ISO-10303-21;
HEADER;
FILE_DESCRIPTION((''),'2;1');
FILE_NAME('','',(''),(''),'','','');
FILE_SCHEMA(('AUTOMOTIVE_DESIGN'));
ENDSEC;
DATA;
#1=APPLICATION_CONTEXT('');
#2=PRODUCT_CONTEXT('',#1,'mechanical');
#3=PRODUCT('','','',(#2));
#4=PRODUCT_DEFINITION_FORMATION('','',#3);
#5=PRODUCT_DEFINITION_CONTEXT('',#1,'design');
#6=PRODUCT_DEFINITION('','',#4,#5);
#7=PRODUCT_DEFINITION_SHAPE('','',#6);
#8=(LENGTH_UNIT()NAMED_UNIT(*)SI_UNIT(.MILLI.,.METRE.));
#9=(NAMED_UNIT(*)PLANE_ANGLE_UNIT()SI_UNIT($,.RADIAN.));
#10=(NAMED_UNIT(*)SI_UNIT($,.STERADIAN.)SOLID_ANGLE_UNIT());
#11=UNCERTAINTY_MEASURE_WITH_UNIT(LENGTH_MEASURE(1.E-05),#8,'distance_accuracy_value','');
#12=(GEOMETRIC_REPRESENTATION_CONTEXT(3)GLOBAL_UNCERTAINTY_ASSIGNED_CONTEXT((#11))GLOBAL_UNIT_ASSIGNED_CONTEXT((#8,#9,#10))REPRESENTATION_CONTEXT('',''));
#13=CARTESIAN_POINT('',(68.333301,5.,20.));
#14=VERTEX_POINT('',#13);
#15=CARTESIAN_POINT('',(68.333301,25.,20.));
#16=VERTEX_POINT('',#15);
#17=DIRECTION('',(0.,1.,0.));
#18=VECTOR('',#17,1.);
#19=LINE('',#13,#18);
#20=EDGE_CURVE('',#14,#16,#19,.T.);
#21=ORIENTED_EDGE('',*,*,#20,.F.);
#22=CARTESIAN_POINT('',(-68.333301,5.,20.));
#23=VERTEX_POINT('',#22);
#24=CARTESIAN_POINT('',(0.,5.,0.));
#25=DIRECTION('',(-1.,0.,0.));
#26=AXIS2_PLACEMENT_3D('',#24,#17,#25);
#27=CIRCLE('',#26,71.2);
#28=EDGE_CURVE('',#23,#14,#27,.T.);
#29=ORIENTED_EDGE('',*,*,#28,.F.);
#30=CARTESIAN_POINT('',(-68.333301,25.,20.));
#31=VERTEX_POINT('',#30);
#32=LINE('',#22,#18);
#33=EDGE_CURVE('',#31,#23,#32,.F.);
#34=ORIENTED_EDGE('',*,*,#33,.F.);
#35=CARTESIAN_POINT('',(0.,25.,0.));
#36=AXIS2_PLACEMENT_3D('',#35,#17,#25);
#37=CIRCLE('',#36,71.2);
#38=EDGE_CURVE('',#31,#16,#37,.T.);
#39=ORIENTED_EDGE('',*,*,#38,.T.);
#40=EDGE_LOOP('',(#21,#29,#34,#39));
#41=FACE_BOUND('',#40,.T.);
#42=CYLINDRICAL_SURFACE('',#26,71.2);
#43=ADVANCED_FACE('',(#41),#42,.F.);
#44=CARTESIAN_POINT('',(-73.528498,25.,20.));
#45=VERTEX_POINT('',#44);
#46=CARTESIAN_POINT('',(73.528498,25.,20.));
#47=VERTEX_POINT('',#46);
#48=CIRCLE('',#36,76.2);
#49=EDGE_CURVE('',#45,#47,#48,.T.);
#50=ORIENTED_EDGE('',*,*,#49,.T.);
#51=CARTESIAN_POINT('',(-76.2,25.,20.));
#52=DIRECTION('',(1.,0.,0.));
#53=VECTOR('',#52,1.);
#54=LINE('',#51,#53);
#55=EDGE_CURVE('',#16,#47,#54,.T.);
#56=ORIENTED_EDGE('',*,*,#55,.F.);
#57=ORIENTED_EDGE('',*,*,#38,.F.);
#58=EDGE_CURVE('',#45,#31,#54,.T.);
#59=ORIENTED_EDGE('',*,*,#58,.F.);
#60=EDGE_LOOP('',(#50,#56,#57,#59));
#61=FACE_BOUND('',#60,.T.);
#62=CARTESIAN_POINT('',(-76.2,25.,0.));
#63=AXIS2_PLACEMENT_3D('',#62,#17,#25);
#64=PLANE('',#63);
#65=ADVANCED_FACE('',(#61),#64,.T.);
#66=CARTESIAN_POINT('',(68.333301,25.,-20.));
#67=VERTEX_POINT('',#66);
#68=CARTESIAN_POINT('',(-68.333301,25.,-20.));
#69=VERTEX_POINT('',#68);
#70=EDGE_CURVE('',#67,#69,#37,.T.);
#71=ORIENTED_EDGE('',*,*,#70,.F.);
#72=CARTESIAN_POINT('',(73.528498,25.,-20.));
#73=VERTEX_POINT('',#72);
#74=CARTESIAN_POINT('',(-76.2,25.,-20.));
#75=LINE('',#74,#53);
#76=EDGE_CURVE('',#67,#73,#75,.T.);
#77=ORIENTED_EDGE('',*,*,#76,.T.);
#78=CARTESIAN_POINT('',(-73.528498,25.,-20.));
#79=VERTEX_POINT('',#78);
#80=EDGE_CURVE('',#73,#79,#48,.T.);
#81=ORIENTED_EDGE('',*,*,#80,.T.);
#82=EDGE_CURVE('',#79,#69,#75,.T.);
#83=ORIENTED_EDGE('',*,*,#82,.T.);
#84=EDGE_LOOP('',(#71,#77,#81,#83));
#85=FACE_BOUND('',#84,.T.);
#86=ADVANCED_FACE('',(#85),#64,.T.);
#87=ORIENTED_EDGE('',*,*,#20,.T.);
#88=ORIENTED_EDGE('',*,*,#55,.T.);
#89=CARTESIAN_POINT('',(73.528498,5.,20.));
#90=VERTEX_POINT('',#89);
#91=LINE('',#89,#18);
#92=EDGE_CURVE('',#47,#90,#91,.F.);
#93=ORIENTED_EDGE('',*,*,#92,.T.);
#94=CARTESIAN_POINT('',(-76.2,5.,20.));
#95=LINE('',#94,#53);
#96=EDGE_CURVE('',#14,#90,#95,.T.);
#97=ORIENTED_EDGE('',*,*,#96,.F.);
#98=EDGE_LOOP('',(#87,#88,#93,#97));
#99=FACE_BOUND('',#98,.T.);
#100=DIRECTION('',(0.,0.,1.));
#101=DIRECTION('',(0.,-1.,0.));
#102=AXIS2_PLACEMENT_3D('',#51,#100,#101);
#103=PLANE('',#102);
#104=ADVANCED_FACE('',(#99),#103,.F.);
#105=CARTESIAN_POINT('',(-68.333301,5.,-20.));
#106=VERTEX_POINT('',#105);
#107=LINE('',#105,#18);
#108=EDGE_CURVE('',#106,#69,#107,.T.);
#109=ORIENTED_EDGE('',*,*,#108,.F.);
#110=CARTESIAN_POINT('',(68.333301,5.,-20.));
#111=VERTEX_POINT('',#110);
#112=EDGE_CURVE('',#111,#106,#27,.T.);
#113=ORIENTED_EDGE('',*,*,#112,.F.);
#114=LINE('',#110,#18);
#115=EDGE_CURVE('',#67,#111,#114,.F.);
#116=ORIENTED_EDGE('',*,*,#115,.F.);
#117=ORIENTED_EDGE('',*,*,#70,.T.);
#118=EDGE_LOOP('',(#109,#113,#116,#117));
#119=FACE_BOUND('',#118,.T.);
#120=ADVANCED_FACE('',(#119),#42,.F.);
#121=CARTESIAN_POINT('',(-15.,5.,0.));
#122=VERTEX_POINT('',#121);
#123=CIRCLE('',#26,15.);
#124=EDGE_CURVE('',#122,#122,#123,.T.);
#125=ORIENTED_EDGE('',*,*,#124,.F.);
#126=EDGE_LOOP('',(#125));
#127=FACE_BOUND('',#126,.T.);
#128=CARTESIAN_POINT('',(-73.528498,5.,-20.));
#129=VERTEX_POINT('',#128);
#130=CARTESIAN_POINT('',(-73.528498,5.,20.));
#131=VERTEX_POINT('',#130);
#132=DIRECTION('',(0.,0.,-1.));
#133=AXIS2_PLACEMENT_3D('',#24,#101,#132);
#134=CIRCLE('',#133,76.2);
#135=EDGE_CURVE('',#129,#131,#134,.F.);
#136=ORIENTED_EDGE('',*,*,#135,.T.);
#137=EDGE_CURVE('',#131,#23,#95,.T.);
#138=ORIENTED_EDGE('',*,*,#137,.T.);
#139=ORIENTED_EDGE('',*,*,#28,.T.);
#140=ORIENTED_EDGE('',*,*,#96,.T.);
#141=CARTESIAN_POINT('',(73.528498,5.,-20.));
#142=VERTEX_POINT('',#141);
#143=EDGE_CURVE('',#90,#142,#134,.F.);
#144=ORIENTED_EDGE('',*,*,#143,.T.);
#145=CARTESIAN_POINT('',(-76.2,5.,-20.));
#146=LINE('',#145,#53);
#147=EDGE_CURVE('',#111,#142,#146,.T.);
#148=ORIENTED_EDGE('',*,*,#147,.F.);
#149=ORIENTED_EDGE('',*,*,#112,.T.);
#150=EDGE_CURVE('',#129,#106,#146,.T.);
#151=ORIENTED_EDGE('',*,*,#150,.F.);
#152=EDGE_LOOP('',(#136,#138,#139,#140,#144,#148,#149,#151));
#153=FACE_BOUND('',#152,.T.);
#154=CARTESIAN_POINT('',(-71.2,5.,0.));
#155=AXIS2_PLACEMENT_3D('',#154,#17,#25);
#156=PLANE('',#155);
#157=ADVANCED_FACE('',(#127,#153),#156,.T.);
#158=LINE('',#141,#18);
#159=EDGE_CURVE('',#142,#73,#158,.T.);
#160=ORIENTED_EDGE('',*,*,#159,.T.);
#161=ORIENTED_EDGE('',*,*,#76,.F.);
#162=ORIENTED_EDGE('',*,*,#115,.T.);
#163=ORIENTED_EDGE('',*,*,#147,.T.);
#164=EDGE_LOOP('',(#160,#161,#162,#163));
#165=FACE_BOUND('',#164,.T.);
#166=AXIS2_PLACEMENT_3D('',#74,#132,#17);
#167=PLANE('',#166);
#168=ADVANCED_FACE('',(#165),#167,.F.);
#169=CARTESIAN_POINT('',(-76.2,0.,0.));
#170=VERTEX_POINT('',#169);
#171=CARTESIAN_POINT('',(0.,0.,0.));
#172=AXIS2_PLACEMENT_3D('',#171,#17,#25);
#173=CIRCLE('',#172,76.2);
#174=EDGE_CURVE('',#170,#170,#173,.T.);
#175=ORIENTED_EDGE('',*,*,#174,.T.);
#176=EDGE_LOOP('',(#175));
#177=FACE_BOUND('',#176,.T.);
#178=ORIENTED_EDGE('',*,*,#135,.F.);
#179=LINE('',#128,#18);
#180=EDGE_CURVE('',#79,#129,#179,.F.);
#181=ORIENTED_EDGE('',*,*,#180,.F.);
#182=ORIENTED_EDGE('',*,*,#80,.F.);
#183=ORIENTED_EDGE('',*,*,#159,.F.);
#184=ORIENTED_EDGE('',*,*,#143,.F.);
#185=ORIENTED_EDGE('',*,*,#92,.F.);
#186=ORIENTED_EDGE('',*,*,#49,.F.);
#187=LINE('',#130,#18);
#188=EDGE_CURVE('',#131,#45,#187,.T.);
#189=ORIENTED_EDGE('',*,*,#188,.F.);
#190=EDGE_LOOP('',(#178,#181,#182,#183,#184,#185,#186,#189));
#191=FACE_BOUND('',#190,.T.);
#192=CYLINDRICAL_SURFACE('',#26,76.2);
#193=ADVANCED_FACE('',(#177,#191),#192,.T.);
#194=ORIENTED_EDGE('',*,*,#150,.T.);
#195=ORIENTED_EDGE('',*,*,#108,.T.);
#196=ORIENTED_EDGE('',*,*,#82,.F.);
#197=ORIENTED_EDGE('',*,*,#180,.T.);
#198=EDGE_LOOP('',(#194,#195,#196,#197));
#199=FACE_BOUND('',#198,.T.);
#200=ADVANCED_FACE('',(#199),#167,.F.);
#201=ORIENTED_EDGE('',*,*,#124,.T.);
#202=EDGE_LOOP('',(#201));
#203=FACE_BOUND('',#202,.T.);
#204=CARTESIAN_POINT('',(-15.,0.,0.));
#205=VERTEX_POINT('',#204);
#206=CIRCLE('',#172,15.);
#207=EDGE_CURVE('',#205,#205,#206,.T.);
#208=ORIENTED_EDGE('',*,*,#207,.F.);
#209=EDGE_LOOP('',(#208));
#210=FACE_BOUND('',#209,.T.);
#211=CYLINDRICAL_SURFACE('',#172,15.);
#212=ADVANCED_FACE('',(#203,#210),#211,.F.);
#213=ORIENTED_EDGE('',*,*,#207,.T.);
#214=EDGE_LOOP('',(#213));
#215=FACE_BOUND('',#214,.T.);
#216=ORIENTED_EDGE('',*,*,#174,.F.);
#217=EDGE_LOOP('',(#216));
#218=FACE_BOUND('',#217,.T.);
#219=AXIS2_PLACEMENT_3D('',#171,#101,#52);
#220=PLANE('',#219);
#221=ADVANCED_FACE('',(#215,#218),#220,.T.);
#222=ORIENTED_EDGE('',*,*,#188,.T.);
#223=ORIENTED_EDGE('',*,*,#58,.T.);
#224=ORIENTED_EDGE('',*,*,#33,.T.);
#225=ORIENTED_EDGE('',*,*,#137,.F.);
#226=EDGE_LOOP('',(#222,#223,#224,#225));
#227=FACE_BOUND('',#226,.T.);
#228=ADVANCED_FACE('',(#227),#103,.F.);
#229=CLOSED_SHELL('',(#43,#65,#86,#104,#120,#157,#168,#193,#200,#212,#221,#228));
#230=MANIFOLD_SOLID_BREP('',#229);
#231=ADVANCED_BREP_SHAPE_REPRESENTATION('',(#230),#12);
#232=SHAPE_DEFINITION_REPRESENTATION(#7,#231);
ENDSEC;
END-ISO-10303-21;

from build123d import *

# Parameters (mm, degrees)
CUT_EXTRUDE2_DEPTH      = 111.624951977
CUT_EXTRUDE2_DEPTH_BACK = 111.624951977
SKETCH2_W               = 40
SKETCH2_H               = 20
CUT_EXTRUDE3_DEPTH      = 110.603284622
CUT_EXTRUDE3_DEPTH_BACK = 110.603284622
SKETCH3_R               = 15


with BuildPart() as part:
    # Sketch1 → Revolve1 (revolve)
    with BuildSketch(Plane.XY):
        Polygon((0, 0), (-76.2, 0), (-76.2, 25), (-71.2, 25), (-71.2, 5), (0, 5), align=None)
    revolve(axis=Axis((0, 5, 0), (0, -1, 0)))

    # Sketch2 → Cut-Extrude2 (cut, two sides: drawn at the far end of the back side and taken through both)
    with BuildSketch(Plane(origin=(0, 0, 0), x_dir=(0, 0, -1), z_dir=(1, 0, 0)).offset(-CUT_EXTRUDE2_DEPTH_BACK)):
        with Locations((0, 15)):
            Rectangle(SKETCH2_W, SKETCH2_H)
    extrude(amount=CUT_EXTRUDE2_DEPTH + CUT_EXTRUDE2_DEPTH_BACK, mode=Mode.SUBTRACT)

    # Sketch3 → Cut-Extrude3 (cut, two sides: drawn at the far end of the back side and taken through both)
    with BuildSketch(Plane(origin=(0, 5, 0), x_dir=(1, 0, 0), z_dir=(0, 1, 0)).offset(-CUT_EXTRUDE3_DEPTH_BACK)):
        with Locations(Location((0, 0, 0), (0, 0, 180))):
            Circle(SKETCH3_R)
    extrude(amount=CUT_EXTRUDE3_DEPTH + CUT_EXTRUDE3_DEPTH_BACK, mode=Mode.SUBTRACT)


solid = part.part
